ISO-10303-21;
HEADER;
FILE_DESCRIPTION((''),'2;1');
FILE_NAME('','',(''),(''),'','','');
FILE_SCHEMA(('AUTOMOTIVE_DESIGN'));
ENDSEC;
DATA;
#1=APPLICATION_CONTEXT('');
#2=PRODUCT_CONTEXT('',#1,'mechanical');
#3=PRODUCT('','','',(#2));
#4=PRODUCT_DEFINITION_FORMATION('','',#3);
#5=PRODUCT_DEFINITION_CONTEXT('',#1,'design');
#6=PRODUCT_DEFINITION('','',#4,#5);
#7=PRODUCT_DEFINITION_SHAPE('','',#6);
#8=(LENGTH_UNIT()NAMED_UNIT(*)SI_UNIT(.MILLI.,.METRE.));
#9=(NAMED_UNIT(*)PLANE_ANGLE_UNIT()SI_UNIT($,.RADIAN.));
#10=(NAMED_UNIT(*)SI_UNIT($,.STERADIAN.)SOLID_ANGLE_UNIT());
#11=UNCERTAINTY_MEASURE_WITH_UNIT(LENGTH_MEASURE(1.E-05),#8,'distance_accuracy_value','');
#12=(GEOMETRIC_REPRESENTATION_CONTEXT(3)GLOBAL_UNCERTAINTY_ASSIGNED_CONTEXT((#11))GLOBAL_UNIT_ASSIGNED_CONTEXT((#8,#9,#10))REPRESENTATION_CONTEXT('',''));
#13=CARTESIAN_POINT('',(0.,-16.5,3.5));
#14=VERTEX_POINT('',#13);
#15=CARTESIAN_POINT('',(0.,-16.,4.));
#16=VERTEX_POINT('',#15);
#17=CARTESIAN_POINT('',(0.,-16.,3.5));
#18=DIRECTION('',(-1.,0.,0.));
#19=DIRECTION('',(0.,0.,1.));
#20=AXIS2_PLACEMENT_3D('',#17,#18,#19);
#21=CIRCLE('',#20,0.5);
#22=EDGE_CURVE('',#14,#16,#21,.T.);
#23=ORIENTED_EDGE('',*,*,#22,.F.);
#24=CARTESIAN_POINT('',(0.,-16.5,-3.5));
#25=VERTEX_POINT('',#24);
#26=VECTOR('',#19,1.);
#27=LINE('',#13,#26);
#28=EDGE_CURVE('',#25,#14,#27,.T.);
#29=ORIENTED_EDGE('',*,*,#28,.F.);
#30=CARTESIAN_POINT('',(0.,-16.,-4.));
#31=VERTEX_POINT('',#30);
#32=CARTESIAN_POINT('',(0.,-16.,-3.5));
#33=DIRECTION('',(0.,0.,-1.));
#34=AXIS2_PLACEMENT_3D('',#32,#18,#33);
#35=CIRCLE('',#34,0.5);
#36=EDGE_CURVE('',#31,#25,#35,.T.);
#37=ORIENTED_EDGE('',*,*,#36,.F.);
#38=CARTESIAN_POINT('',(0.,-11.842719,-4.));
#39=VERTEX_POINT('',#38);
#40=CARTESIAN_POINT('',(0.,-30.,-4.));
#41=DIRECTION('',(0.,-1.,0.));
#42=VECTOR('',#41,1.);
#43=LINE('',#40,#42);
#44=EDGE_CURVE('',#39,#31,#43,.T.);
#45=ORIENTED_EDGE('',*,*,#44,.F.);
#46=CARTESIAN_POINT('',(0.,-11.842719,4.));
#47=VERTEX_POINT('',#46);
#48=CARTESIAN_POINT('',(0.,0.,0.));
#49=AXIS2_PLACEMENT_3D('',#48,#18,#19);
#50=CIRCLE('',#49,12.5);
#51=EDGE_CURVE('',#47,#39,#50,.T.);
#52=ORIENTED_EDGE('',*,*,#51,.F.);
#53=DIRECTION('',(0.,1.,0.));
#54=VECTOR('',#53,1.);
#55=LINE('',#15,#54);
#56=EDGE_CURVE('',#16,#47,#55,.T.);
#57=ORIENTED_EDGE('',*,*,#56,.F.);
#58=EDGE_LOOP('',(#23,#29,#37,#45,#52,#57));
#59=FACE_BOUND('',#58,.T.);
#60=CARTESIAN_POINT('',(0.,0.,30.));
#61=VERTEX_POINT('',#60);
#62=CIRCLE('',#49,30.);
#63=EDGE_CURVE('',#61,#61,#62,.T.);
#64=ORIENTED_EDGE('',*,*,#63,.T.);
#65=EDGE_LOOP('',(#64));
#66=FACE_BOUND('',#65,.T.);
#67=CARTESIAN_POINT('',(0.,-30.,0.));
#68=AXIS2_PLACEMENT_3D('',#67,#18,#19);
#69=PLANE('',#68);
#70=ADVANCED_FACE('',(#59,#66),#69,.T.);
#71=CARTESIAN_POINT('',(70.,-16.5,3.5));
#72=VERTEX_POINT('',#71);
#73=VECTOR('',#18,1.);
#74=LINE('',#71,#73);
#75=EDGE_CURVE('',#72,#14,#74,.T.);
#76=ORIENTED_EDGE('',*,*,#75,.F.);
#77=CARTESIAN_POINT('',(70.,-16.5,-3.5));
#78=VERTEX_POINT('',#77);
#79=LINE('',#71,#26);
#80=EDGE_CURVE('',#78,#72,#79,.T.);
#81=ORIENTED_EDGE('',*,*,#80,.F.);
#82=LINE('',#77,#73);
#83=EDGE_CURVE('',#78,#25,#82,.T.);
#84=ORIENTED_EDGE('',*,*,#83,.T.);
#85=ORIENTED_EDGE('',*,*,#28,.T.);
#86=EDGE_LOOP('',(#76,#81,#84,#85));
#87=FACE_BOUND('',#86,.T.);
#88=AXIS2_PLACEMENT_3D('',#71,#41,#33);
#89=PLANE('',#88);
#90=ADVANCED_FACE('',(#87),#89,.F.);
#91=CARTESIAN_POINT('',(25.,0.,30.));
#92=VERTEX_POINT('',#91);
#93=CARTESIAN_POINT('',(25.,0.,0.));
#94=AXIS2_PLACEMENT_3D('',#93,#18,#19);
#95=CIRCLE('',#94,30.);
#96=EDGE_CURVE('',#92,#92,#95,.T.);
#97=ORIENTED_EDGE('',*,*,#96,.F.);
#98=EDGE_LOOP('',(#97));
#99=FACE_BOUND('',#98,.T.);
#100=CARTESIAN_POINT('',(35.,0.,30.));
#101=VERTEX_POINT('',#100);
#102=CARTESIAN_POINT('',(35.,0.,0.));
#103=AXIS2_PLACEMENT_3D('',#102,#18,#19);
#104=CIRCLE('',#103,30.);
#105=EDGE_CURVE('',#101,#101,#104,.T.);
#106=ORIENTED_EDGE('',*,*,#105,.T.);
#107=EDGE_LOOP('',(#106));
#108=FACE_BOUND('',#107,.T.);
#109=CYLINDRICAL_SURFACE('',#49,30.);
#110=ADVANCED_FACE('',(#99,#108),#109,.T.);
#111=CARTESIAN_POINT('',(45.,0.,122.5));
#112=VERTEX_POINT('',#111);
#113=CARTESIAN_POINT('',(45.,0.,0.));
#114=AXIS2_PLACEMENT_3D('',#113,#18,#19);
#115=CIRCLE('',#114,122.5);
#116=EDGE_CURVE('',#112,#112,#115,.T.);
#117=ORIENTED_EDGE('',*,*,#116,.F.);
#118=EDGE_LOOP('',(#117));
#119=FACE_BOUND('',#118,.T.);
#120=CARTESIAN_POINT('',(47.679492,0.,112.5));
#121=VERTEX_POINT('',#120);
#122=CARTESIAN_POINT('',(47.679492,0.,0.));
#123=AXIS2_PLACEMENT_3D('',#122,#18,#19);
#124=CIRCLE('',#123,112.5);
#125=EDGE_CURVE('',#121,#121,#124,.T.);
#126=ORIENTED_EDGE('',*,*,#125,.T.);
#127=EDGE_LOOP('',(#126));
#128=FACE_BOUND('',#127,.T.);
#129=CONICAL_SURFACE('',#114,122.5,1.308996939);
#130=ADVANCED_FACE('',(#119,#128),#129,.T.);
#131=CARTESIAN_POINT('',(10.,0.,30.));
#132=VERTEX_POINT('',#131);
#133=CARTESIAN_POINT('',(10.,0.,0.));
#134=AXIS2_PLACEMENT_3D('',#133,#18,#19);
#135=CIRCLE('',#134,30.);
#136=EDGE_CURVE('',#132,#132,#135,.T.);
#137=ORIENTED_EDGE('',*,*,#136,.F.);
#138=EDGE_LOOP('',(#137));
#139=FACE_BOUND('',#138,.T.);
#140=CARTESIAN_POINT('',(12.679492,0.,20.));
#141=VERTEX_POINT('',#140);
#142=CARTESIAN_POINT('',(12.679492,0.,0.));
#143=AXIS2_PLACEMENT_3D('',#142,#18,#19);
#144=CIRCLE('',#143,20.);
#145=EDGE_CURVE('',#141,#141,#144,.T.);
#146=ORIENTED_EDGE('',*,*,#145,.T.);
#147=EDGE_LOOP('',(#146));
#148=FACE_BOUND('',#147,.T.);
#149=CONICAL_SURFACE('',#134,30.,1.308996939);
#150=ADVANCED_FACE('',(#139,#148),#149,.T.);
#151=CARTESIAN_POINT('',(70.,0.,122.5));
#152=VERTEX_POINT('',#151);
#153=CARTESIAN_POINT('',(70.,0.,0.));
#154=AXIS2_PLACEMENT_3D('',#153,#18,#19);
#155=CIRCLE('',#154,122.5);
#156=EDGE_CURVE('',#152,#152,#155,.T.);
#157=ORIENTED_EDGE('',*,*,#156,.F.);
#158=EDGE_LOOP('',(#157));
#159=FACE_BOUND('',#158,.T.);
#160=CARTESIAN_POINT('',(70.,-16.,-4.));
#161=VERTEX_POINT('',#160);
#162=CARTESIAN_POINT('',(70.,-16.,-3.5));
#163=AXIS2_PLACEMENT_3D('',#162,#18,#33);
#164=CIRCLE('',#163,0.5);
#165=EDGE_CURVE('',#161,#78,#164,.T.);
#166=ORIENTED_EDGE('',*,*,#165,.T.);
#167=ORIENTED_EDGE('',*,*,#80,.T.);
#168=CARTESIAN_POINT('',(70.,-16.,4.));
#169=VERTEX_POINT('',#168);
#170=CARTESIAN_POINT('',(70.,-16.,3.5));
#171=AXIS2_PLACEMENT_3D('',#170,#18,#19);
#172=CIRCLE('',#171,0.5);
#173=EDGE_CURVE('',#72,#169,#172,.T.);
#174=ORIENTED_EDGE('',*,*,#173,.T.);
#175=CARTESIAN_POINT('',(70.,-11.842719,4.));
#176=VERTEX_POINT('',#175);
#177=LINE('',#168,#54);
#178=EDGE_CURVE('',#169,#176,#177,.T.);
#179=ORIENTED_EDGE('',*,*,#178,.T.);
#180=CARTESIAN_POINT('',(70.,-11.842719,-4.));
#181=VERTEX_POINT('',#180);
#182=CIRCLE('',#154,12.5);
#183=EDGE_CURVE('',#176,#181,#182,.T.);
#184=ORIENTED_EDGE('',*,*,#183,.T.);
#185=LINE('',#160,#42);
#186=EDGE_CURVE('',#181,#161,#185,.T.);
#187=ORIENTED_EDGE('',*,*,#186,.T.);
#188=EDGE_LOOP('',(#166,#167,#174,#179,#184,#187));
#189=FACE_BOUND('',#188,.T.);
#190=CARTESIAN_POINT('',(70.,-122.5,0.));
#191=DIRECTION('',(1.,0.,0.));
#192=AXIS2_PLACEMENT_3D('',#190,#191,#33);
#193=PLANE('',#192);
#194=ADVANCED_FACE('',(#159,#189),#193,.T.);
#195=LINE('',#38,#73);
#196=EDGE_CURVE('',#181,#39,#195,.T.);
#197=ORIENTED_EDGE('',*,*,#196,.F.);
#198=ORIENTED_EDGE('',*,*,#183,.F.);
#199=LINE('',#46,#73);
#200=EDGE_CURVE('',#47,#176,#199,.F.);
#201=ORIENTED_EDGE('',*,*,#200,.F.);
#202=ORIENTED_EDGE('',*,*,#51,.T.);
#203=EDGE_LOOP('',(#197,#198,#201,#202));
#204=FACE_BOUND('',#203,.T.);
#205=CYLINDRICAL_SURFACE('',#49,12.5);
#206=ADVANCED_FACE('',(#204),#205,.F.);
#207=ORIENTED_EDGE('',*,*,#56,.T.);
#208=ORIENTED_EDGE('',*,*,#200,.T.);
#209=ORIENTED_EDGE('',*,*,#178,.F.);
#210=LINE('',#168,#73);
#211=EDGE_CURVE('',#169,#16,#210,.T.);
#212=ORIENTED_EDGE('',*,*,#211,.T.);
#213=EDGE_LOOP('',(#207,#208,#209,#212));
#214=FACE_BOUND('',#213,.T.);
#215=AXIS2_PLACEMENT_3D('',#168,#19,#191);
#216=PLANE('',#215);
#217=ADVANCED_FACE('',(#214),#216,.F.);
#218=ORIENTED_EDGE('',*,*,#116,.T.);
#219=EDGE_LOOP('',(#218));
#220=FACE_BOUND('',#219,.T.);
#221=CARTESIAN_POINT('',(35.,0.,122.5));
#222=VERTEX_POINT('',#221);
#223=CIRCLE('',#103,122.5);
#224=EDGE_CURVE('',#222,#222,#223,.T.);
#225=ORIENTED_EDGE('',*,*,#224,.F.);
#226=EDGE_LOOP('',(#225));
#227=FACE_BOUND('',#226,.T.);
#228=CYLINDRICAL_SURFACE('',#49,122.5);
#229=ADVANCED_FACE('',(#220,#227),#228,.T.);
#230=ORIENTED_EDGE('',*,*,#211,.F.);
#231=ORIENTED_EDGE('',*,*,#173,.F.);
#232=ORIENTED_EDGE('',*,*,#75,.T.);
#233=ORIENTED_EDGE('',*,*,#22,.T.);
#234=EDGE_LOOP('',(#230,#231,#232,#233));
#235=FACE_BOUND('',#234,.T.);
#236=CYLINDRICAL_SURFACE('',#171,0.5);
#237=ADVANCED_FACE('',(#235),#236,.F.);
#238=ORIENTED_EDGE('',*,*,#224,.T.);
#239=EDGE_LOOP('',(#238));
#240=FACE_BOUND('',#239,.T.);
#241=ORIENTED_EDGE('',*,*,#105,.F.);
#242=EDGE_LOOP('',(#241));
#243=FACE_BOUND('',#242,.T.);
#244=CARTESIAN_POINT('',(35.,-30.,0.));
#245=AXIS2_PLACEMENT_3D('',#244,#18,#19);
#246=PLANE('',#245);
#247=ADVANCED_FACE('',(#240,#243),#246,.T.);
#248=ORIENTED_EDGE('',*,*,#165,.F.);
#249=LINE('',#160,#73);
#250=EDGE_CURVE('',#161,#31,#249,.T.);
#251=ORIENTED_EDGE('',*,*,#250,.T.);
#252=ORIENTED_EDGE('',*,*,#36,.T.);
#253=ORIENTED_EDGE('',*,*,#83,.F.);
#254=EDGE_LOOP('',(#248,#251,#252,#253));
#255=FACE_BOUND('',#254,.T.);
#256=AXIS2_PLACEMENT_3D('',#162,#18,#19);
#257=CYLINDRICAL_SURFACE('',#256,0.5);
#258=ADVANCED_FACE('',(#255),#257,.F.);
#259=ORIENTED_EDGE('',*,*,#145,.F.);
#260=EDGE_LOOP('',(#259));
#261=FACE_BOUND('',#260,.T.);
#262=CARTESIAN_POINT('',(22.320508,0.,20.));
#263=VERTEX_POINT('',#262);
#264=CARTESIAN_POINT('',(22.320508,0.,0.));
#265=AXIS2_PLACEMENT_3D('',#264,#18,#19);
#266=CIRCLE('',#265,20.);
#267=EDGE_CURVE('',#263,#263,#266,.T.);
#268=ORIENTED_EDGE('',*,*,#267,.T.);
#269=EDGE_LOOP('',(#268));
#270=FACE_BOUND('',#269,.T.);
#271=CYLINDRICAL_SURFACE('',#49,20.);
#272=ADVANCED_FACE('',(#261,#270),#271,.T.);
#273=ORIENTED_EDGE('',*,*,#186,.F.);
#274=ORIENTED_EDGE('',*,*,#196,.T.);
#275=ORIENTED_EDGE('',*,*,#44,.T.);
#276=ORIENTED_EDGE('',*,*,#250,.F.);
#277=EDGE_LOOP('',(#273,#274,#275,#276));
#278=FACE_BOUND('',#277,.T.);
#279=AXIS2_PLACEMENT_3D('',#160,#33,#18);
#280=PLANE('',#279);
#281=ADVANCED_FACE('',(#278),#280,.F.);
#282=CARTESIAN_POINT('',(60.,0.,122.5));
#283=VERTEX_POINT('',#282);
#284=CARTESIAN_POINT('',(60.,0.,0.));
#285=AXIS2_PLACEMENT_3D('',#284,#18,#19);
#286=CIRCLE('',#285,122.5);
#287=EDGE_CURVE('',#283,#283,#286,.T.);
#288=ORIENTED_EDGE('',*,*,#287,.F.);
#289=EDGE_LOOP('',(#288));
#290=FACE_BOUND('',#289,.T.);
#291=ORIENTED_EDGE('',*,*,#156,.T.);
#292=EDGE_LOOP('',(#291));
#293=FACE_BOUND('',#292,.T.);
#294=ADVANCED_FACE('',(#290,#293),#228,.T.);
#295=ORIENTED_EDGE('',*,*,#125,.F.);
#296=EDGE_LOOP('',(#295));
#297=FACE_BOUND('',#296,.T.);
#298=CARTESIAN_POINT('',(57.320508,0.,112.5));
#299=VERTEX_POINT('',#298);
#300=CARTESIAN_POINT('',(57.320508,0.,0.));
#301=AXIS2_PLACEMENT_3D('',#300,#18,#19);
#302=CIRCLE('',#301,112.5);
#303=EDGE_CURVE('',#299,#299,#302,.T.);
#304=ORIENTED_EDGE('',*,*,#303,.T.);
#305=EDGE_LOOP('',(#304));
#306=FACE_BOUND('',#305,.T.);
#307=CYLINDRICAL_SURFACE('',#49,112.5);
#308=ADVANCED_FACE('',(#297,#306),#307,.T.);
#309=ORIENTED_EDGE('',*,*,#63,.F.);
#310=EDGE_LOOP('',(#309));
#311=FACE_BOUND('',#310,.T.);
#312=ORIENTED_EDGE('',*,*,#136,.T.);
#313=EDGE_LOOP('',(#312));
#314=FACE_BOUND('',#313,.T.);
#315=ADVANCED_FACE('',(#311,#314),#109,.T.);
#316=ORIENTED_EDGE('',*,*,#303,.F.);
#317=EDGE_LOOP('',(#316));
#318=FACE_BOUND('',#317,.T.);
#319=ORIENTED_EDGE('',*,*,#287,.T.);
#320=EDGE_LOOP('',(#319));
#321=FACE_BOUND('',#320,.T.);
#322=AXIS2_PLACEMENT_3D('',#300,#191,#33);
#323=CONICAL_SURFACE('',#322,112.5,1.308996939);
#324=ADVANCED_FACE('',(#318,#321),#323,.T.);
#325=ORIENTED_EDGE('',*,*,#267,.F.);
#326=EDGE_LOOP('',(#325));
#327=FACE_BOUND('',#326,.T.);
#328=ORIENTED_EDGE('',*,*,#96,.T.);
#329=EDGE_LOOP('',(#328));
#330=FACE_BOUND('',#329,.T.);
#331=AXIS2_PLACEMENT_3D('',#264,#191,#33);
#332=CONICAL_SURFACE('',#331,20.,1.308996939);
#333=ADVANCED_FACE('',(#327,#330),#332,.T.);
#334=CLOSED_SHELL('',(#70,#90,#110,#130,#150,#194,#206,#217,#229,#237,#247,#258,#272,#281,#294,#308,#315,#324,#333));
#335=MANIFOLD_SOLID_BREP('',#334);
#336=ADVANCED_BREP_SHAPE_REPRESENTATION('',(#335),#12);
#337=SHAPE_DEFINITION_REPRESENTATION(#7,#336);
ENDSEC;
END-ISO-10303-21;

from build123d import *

# Parameters (mm, degrees)
CORTE_EXTRUS_O1_DEPTH = 71


with BuildPart() as part:
    # Sketch1 → Revolve1 (revolve)
    with BuildSketch(Plane.XY):
        Polygon((70, -12.5), (0, -12.5), (0, -30), (10, -30), (12.679491924, -20), (22.320508076, -20), (25, -30), (35, -30), (35, -122.5), (45, -122.5), (47.679491924, -112.5), (57.320508076, -112.5), (60, -122.5), (70, -122.5), align=None)
    revolve(axis=Axis((0, 0, 0), (1, 0, 0)))

    # Esboço1 → Corte-extrusão1 (cut, through all)
    with BuildSketch(Plane.ZY):
        with BuildLine():
            Line((3.5, -16.5), (-3.5, -16.5))
            ThreePointArc((-3.5, -16.5), (-3.853553391, -16.353553391), (-4, -16))
            Line((-4, -16), (-4, -8.5))
            Line((-4, -8.5), (4, -8.5))
            Line((4, -8.5), (4, -16))
            ThreePointArc((4, -16), (3.853553391, -16.353553391), (3.5, -16.5))
        make_face()
    extrude(amount=-CORTE_EXTRUS_O1_DEPTH, mode=Mode.SUBTRACT)


solid = part.part
